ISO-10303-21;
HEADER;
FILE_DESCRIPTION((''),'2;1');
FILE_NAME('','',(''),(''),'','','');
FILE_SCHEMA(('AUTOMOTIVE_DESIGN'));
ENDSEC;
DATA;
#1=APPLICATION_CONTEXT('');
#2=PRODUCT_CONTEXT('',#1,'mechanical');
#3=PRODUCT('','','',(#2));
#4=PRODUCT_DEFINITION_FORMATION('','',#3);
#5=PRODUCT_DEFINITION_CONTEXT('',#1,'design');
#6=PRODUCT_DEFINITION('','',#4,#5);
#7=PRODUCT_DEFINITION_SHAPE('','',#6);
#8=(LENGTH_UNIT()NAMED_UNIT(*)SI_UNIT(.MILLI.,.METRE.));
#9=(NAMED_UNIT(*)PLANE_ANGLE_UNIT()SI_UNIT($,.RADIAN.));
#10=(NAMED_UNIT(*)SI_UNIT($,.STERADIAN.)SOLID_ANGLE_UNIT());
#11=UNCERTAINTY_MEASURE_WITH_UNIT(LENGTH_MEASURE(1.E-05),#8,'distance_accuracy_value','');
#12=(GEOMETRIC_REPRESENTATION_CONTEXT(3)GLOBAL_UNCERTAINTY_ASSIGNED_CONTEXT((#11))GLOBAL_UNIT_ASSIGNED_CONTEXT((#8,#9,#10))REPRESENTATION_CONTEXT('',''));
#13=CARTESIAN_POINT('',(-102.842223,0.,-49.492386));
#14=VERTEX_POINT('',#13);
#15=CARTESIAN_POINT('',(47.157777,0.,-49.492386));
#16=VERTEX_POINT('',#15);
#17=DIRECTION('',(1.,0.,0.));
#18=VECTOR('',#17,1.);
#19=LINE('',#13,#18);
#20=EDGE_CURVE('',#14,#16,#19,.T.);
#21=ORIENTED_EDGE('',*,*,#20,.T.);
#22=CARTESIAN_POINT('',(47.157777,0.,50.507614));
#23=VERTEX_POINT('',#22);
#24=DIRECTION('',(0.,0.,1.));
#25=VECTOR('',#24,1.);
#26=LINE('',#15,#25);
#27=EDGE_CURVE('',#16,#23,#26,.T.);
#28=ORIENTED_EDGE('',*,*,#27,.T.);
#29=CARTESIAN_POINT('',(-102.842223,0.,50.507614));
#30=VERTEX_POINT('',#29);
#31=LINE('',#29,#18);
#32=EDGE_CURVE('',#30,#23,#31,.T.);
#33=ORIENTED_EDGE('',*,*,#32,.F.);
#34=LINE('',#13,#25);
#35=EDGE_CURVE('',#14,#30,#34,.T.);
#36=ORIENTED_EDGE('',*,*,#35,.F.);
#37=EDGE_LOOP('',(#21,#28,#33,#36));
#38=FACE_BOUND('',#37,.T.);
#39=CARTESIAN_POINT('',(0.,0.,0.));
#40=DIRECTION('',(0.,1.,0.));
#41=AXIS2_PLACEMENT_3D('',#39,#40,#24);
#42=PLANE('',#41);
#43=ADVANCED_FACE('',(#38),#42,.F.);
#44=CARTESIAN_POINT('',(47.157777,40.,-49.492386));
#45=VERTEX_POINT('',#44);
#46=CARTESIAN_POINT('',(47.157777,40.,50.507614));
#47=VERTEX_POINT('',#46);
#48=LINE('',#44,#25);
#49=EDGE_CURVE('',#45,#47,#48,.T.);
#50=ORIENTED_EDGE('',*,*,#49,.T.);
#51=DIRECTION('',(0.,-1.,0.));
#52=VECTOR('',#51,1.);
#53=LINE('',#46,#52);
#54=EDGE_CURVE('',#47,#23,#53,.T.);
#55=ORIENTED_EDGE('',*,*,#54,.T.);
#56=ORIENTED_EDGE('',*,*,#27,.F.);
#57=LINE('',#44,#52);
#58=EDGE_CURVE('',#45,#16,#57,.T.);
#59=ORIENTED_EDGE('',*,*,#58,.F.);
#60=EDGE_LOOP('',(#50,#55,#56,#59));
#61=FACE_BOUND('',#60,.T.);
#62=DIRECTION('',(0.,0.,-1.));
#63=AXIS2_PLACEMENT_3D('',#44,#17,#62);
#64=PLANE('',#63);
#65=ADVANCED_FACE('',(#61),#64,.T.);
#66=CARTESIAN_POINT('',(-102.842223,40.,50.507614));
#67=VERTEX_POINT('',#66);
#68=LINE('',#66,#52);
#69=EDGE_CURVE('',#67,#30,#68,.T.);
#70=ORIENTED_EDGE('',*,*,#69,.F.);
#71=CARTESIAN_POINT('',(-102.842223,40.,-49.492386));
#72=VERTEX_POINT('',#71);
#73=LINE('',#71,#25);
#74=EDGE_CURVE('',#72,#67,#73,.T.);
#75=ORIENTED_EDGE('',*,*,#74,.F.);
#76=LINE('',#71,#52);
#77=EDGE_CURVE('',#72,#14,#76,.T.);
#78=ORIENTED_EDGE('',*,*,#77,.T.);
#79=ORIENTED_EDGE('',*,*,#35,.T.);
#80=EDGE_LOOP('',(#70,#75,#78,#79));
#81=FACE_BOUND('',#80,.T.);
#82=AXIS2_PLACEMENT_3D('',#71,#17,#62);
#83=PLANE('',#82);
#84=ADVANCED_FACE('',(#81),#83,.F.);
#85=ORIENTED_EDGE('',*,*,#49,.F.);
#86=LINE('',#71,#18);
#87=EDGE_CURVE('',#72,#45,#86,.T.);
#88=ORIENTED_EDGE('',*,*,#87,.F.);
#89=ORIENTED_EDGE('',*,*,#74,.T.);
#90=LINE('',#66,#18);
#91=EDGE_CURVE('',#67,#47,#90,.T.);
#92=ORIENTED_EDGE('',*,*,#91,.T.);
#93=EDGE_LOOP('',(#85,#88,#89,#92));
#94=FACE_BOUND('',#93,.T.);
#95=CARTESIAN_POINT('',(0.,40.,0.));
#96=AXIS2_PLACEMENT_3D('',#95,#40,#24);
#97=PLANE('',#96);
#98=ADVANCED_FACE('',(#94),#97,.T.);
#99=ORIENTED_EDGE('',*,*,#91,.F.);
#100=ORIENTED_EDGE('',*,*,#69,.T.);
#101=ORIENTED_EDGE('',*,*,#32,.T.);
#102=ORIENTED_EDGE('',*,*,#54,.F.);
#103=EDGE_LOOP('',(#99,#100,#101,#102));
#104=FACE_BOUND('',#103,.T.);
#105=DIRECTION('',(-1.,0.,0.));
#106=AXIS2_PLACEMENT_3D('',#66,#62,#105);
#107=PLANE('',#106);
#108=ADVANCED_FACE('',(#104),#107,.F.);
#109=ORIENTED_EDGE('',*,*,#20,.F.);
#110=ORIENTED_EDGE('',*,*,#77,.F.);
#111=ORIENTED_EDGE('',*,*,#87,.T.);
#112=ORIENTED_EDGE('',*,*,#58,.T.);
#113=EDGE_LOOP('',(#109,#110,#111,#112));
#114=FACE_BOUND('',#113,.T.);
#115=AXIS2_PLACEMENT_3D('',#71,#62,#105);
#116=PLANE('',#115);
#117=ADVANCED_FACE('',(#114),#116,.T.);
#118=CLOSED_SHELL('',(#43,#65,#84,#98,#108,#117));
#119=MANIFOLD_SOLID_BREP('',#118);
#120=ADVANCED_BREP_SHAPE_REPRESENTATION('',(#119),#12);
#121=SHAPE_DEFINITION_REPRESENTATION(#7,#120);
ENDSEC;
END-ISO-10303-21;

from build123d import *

# Parameters (mm, degrees)
SKETCH1_W           = 150
SKETCH1_H           = 100
BOSS_EXTRUDE1_DEPTH = 40


with BuildPart() as part:
    # Sketch1 → Boss-Extrude1 (new body)
    with BuildSketch(Plane(origin=(0, 0, 0), x_dir=(1, 0, 0), z_dir=(0, 1, 0))):
        with Locations((-27.842222947, -0.507614213)):
            Rectangle(SKETCH1_W, SKETCH1_H)
    extrude(amount=BOSS_EXTRUDE1_DEPTH)


solid = part.part
